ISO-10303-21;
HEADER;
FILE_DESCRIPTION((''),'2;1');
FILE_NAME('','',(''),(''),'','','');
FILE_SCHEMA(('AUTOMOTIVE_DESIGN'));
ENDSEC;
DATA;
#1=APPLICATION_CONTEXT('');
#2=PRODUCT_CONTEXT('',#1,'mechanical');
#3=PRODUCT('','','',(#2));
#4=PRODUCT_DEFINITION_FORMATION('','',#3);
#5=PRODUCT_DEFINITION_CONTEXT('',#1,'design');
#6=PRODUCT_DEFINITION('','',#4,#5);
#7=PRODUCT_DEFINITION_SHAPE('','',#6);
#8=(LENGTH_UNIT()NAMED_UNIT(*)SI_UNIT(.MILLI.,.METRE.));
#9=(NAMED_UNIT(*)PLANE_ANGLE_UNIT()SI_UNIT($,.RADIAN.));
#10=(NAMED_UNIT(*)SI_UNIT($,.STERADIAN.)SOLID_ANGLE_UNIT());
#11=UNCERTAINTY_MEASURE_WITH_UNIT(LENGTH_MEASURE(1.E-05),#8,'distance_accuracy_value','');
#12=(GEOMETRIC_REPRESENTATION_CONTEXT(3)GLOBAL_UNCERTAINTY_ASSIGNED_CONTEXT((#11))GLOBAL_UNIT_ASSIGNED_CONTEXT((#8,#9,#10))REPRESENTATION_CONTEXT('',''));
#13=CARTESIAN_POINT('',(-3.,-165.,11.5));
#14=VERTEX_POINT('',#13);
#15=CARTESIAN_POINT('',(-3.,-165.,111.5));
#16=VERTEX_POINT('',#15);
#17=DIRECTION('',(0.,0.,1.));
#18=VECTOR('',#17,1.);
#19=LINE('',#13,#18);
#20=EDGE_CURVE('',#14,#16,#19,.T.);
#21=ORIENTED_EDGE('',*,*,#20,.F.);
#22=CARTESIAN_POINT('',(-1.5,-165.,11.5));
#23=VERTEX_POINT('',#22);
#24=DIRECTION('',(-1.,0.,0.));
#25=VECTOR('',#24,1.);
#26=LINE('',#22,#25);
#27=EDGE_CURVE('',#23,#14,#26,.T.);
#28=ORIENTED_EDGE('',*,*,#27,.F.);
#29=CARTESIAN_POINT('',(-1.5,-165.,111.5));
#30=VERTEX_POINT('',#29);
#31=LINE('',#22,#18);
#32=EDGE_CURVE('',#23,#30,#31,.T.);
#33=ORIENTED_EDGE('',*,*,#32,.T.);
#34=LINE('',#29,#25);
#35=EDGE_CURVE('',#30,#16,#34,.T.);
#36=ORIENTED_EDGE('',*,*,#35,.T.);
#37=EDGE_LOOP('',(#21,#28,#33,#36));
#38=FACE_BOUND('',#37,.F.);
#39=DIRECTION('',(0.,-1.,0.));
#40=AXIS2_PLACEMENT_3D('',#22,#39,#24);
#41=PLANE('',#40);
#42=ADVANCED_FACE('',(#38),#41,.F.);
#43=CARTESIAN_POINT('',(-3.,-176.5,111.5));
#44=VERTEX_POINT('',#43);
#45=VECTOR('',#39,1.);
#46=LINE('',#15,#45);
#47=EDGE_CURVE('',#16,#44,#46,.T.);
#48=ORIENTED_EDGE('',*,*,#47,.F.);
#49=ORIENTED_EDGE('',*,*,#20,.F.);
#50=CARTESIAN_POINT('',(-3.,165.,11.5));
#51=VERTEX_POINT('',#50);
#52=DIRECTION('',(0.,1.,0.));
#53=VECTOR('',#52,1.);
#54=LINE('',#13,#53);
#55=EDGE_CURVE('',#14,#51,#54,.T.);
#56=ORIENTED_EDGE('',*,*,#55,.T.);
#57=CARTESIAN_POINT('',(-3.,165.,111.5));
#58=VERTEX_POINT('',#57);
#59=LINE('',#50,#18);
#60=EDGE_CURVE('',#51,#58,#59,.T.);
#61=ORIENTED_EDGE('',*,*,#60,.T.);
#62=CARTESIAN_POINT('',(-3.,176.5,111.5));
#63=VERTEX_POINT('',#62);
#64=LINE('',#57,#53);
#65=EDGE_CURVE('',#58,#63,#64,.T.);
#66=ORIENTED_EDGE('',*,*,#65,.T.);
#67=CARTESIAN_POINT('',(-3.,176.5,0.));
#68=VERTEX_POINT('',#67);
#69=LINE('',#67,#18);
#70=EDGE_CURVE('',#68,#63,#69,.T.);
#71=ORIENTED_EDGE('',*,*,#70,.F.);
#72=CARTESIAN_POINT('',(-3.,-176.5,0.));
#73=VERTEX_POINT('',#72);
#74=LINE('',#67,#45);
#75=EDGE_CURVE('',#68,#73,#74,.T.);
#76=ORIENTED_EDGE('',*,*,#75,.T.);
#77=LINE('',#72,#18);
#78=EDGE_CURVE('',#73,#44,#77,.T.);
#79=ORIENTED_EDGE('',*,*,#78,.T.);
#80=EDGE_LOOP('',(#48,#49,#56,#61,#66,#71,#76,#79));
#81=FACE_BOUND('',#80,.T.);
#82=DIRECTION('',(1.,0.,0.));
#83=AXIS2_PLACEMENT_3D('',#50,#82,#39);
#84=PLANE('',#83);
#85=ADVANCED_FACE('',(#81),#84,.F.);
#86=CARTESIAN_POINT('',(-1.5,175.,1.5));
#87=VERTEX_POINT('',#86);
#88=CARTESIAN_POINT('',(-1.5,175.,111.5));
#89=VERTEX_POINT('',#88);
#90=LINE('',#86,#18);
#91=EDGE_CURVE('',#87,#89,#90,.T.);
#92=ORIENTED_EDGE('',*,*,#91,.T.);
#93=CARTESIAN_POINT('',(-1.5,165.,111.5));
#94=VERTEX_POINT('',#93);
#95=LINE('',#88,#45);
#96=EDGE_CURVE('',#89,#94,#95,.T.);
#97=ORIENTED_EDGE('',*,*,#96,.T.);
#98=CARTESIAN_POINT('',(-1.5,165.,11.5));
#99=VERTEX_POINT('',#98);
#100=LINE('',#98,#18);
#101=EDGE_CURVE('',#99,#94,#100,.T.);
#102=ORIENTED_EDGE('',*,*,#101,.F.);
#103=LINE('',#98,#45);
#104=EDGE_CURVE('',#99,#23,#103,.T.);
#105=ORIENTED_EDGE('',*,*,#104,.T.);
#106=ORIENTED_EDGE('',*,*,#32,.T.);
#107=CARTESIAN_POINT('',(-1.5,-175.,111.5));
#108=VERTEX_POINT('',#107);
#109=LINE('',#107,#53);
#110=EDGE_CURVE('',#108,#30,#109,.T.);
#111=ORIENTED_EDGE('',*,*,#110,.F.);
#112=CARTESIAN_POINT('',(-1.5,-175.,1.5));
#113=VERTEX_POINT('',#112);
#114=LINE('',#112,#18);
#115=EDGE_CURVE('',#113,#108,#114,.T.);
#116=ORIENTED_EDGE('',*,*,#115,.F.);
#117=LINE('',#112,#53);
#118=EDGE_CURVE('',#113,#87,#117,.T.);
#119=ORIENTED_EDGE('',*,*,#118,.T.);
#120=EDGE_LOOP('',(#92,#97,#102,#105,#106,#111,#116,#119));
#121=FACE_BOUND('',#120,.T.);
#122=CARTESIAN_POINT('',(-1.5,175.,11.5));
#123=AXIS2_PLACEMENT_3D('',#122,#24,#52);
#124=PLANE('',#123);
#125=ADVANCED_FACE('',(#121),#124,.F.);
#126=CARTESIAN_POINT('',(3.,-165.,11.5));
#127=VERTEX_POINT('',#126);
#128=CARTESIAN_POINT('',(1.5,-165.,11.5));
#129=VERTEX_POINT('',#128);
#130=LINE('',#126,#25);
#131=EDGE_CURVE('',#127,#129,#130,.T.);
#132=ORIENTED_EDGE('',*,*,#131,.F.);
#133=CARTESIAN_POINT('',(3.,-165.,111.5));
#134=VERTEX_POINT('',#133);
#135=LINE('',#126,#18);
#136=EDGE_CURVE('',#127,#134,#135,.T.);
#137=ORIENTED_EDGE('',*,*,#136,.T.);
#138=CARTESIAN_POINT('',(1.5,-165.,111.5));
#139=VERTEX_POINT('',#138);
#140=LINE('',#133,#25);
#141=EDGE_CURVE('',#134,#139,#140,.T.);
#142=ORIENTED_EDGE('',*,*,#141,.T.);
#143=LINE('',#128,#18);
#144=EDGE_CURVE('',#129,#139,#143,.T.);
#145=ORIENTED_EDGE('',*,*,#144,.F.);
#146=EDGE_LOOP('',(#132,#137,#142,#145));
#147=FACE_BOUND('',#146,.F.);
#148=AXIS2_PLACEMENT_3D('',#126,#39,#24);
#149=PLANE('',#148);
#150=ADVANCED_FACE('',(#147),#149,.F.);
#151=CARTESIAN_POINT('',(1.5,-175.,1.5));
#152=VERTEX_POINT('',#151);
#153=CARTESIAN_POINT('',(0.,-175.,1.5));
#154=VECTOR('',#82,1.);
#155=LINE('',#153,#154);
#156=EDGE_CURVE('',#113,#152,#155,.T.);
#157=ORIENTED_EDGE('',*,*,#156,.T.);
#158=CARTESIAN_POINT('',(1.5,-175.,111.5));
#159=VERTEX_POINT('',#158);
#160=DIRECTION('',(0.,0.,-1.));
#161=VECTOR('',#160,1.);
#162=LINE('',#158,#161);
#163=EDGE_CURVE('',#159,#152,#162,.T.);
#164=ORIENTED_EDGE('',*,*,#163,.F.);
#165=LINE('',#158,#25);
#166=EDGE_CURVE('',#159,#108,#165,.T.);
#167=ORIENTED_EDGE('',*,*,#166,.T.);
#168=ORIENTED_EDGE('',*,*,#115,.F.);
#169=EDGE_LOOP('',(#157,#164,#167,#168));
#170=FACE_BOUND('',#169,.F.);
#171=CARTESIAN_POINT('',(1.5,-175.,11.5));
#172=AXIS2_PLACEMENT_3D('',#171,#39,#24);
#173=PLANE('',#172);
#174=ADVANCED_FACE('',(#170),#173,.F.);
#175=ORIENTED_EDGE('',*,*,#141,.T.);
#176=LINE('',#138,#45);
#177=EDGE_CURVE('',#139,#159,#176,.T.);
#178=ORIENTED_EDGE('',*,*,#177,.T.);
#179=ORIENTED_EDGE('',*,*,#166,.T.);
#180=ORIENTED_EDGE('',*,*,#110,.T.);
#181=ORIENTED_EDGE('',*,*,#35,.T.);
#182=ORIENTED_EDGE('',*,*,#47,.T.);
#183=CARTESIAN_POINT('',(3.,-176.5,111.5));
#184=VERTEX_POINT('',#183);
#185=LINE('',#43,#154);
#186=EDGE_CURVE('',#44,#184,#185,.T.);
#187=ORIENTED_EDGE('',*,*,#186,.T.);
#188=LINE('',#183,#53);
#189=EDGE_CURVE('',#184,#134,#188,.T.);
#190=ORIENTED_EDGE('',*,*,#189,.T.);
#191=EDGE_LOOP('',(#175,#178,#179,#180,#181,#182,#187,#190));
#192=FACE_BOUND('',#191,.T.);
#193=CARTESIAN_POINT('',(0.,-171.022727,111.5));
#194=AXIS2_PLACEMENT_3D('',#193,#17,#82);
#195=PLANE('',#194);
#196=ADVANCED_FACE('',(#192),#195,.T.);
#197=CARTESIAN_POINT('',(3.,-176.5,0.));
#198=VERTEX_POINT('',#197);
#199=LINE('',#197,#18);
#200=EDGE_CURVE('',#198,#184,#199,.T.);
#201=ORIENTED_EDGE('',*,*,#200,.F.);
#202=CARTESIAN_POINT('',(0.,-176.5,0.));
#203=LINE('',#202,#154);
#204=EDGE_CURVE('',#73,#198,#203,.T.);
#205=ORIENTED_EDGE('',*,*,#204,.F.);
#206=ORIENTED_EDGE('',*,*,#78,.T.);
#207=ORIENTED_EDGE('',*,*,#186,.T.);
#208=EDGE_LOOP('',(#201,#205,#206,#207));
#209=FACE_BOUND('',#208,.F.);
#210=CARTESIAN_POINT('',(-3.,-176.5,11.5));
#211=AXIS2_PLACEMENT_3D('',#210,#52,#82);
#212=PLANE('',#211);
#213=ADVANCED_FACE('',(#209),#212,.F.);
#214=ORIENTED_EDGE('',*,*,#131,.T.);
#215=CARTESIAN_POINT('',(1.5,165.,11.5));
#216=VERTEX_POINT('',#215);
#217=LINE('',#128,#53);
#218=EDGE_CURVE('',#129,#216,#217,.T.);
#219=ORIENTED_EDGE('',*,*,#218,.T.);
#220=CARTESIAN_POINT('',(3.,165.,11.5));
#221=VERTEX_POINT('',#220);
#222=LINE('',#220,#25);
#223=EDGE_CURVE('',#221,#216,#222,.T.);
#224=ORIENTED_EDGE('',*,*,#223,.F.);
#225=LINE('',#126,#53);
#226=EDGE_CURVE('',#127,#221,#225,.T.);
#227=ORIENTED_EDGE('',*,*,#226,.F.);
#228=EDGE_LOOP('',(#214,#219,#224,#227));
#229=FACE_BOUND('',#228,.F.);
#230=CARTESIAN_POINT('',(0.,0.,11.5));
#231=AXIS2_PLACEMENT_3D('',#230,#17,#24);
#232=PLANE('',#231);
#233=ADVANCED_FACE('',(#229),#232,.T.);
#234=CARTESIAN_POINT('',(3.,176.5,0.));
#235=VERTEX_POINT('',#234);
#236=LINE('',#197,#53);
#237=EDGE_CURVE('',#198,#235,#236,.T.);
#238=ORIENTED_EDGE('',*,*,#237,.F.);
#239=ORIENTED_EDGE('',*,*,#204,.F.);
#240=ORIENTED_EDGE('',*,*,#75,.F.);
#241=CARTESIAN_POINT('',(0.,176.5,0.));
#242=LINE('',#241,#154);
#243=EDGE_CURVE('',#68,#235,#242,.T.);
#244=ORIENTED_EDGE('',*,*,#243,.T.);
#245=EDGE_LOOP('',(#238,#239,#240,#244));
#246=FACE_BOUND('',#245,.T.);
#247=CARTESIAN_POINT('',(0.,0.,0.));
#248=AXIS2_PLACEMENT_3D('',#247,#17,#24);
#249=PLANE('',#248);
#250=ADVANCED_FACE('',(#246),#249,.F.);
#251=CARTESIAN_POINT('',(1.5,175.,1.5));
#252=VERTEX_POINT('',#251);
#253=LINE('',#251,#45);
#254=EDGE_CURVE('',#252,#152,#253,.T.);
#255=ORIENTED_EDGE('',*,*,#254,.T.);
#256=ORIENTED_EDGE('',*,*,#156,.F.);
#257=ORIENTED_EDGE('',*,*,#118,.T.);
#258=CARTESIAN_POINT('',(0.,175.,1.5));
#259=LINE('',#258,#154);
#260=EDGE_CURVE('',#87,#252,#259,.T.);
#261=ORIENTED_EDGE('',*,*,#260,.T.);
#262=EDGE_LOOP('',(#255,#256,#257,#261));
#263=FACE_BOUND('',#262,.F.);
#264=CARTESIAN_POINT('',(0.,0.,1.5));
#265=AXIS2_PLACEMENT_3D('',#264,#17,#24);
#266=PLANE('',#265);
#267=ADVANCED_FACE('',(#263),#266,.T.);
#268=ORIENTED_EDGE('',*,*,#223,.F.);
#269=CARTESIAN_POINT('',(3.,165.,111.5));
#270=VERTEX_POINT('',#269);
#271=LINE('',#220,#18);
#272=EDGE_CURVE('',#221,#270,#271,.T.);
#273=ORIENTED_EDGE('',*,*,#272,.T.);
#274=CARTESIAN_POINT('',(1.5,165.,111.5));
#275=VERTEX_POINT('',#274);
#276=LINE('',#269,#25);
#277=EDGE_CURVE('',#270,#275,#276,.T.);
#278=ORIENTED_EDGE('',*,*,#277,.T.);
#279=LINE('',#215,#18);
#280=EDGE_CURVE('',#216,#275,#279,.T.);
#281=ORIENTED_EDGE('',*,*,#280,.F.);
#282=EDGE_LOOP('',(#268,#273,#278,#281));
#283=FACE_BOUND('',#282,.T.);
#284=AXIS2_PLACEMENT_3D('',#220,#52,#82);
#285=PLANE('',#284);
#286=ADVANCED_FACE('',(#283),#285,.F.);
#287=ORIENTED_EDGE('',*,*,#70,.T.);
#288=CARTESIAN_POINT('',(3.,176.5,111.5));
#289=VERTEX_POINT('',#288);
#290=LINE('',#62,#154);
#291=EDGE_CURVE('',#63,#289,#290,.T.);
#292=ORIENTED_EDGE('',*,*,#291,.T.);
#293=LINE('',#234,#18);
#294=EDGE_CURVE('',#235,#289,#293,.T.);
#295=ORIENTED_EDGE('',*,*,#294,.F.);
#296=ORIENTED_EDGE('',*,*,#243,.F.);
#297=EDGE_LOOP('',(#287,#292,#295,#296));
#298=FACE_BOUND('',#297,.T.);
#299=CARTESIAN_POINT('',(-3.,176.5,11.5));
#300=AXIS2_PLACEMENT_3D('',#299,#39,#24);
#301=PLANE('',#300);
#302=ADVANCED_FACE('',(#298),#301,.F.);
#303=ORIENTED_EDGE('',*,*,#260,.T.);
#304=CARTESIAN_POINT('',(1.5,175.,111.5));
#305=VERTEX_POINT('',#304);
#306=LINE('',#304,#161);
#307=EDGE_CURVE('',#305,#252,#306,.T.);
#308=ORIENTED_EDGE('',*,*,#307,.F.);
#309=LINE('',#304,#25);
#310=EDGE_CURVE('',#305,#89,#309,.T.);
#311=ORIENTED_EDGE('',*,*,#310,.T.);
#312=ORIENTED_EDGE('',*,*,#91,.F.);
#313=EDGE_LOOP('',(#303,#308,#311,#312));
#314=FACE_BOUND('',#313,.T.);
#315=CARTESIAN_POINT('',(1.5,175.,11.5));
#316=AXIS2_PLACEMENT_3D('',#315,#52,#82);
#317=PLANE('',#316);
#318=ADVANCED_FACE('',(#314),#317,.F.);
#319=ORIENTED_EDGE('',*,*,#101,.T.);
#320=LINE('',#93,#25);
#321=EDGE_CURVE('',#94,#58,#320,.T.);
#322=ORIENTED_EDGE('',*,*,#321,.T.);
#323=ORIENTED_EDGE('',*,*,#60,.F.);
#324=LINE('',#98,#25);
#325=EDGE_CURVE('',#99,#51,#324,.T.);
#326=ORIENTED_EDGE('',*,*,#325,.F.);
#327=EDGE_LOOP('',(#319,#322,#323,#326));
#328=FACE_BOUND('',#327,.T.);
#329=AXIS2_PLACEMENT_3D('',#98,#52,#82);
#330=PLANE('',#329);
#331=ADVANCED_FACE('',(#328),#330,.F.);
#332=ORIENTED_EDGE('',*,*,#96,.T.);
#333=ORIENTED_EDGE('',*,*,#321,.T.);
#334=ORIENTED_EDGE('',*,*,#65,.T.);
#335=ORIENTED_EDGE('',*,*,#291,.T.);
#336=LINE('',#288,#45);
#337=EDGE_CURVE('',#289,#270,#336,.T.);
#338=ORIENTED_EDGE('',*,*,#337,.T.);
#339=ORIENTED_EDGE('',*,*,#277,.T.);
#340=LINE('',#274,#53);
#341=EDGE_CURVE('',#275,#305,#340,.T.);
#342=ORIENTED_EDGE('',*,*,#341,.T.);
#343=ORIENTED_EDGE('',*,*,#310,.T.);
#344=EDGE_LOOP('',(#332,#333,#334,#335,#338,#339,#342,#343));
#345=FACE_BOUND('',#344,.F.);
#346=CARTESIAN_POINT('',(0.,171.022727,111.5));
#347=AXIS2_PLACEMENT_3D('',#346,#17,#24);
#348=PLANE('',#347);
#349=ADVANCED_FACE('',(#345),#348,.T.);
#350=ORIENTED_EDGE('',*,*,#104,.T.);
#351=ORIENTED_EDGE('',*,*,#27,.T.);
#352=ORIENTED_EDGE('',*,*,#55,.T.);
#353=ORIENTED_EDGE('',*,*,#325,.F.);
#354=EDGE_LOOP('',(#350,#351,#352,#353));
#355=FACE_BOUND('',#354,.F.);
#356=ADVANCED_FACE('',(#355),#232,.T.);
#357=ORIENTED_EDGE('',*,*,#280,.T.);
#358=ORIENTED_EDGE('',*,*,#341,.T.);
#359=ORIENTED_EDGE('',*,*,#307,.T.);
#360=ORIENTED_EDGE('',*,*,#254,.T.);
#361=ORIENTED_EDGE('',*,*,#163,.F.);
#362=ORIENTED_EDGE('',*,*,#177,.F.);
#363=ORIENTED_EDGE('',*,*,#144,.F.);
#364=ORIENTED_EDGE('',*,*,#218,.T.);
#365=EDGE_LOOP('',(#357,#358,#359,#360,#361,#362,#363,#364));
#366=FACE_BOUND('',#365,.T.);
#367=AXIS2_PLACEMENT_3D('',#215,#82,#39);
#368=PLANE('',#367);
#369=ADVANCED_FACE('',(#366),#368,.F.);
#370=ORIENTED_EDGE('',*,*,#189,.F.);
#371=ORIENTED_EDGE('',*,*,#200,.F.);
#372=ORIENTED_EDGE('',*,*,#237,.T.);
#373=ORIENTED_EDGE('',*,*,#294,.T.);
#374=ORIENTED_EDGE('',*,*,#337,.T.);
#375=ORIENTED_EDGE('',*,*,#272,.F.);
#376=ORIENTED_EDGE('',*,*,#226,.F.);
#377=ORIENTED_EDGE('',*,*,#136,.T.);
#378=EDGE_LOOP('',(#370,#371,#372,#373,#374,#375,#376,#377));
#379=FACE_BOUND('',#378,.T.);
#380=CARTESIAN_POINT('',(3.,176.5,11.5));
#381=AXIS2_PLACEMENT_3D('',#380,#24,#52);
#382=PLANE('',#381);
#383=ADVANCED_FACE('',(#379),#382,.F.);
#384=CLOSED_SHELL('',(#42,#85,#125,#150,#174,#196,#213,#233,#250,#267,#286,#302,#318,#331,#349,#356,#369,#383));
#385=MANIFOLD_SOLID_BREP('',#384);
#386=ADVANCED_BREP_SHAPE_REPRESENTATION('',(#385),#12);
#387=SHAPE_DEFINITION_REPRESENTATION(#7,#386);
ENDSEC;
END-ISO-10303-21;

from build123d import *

# Parameters (mm, degrees)
F0_W     = 6
F0_H     = 353
F1_DEPTH = 1.5
F2_W     = 6
F2_H     = 353
F2_W_2   = 3
F2_H_2   = 350
F3_DEPTH = 10
F5_DEPTH = 100
F6_W     = 228.872508
F6_H     = 47.288619
F7_DEPTH = 25


with BuildPart() as f1:
    # F0 (on Top) → F1 (new body)
    with BuildSketch(Plane.XY):
        Rectangle(F0_W, F0_H)
    extrude(amount=F1_DEPTH)

    # F2 (on face) → F3 (join)
    with BuildSketch(Plane.XY.offset(1.5)):
        Rectangle(F2_W, F2_H)
        Rectangle(F2_W_2, F2_H_2, mode=Mode.SUBTRACT)
    extrude(amount=F3_DEPTH)

    # F4 (on face) → F5 (join)
    with BuildSketch(Plane.XY.offset(11.5)):
        Polygon((1.5, -175), (-1.5, -175), (-1.5, -165), (-3, -165), (-3, -176.5), (3, -176.5), (3, -165), (1.5, -165), align=None)
    extrude(amount=F5_DEPTH)

    # F6 (on face) → F7 (cut)
    with BuildSketch(Plane.YZ.offset(3)):
        with Locations((114.436254, 23.644309)):
            Rectangle(F6_W, F6_H)
    extrude(amount=-F7_DEPTH, mode=Mode.SUBTRACT)

    # F8: F1 across plane


with BuildPart() as f1_1:
    add(f1.part)
    add(f1.part.mirror(Plane.XZ))


solid = f1_1.part
